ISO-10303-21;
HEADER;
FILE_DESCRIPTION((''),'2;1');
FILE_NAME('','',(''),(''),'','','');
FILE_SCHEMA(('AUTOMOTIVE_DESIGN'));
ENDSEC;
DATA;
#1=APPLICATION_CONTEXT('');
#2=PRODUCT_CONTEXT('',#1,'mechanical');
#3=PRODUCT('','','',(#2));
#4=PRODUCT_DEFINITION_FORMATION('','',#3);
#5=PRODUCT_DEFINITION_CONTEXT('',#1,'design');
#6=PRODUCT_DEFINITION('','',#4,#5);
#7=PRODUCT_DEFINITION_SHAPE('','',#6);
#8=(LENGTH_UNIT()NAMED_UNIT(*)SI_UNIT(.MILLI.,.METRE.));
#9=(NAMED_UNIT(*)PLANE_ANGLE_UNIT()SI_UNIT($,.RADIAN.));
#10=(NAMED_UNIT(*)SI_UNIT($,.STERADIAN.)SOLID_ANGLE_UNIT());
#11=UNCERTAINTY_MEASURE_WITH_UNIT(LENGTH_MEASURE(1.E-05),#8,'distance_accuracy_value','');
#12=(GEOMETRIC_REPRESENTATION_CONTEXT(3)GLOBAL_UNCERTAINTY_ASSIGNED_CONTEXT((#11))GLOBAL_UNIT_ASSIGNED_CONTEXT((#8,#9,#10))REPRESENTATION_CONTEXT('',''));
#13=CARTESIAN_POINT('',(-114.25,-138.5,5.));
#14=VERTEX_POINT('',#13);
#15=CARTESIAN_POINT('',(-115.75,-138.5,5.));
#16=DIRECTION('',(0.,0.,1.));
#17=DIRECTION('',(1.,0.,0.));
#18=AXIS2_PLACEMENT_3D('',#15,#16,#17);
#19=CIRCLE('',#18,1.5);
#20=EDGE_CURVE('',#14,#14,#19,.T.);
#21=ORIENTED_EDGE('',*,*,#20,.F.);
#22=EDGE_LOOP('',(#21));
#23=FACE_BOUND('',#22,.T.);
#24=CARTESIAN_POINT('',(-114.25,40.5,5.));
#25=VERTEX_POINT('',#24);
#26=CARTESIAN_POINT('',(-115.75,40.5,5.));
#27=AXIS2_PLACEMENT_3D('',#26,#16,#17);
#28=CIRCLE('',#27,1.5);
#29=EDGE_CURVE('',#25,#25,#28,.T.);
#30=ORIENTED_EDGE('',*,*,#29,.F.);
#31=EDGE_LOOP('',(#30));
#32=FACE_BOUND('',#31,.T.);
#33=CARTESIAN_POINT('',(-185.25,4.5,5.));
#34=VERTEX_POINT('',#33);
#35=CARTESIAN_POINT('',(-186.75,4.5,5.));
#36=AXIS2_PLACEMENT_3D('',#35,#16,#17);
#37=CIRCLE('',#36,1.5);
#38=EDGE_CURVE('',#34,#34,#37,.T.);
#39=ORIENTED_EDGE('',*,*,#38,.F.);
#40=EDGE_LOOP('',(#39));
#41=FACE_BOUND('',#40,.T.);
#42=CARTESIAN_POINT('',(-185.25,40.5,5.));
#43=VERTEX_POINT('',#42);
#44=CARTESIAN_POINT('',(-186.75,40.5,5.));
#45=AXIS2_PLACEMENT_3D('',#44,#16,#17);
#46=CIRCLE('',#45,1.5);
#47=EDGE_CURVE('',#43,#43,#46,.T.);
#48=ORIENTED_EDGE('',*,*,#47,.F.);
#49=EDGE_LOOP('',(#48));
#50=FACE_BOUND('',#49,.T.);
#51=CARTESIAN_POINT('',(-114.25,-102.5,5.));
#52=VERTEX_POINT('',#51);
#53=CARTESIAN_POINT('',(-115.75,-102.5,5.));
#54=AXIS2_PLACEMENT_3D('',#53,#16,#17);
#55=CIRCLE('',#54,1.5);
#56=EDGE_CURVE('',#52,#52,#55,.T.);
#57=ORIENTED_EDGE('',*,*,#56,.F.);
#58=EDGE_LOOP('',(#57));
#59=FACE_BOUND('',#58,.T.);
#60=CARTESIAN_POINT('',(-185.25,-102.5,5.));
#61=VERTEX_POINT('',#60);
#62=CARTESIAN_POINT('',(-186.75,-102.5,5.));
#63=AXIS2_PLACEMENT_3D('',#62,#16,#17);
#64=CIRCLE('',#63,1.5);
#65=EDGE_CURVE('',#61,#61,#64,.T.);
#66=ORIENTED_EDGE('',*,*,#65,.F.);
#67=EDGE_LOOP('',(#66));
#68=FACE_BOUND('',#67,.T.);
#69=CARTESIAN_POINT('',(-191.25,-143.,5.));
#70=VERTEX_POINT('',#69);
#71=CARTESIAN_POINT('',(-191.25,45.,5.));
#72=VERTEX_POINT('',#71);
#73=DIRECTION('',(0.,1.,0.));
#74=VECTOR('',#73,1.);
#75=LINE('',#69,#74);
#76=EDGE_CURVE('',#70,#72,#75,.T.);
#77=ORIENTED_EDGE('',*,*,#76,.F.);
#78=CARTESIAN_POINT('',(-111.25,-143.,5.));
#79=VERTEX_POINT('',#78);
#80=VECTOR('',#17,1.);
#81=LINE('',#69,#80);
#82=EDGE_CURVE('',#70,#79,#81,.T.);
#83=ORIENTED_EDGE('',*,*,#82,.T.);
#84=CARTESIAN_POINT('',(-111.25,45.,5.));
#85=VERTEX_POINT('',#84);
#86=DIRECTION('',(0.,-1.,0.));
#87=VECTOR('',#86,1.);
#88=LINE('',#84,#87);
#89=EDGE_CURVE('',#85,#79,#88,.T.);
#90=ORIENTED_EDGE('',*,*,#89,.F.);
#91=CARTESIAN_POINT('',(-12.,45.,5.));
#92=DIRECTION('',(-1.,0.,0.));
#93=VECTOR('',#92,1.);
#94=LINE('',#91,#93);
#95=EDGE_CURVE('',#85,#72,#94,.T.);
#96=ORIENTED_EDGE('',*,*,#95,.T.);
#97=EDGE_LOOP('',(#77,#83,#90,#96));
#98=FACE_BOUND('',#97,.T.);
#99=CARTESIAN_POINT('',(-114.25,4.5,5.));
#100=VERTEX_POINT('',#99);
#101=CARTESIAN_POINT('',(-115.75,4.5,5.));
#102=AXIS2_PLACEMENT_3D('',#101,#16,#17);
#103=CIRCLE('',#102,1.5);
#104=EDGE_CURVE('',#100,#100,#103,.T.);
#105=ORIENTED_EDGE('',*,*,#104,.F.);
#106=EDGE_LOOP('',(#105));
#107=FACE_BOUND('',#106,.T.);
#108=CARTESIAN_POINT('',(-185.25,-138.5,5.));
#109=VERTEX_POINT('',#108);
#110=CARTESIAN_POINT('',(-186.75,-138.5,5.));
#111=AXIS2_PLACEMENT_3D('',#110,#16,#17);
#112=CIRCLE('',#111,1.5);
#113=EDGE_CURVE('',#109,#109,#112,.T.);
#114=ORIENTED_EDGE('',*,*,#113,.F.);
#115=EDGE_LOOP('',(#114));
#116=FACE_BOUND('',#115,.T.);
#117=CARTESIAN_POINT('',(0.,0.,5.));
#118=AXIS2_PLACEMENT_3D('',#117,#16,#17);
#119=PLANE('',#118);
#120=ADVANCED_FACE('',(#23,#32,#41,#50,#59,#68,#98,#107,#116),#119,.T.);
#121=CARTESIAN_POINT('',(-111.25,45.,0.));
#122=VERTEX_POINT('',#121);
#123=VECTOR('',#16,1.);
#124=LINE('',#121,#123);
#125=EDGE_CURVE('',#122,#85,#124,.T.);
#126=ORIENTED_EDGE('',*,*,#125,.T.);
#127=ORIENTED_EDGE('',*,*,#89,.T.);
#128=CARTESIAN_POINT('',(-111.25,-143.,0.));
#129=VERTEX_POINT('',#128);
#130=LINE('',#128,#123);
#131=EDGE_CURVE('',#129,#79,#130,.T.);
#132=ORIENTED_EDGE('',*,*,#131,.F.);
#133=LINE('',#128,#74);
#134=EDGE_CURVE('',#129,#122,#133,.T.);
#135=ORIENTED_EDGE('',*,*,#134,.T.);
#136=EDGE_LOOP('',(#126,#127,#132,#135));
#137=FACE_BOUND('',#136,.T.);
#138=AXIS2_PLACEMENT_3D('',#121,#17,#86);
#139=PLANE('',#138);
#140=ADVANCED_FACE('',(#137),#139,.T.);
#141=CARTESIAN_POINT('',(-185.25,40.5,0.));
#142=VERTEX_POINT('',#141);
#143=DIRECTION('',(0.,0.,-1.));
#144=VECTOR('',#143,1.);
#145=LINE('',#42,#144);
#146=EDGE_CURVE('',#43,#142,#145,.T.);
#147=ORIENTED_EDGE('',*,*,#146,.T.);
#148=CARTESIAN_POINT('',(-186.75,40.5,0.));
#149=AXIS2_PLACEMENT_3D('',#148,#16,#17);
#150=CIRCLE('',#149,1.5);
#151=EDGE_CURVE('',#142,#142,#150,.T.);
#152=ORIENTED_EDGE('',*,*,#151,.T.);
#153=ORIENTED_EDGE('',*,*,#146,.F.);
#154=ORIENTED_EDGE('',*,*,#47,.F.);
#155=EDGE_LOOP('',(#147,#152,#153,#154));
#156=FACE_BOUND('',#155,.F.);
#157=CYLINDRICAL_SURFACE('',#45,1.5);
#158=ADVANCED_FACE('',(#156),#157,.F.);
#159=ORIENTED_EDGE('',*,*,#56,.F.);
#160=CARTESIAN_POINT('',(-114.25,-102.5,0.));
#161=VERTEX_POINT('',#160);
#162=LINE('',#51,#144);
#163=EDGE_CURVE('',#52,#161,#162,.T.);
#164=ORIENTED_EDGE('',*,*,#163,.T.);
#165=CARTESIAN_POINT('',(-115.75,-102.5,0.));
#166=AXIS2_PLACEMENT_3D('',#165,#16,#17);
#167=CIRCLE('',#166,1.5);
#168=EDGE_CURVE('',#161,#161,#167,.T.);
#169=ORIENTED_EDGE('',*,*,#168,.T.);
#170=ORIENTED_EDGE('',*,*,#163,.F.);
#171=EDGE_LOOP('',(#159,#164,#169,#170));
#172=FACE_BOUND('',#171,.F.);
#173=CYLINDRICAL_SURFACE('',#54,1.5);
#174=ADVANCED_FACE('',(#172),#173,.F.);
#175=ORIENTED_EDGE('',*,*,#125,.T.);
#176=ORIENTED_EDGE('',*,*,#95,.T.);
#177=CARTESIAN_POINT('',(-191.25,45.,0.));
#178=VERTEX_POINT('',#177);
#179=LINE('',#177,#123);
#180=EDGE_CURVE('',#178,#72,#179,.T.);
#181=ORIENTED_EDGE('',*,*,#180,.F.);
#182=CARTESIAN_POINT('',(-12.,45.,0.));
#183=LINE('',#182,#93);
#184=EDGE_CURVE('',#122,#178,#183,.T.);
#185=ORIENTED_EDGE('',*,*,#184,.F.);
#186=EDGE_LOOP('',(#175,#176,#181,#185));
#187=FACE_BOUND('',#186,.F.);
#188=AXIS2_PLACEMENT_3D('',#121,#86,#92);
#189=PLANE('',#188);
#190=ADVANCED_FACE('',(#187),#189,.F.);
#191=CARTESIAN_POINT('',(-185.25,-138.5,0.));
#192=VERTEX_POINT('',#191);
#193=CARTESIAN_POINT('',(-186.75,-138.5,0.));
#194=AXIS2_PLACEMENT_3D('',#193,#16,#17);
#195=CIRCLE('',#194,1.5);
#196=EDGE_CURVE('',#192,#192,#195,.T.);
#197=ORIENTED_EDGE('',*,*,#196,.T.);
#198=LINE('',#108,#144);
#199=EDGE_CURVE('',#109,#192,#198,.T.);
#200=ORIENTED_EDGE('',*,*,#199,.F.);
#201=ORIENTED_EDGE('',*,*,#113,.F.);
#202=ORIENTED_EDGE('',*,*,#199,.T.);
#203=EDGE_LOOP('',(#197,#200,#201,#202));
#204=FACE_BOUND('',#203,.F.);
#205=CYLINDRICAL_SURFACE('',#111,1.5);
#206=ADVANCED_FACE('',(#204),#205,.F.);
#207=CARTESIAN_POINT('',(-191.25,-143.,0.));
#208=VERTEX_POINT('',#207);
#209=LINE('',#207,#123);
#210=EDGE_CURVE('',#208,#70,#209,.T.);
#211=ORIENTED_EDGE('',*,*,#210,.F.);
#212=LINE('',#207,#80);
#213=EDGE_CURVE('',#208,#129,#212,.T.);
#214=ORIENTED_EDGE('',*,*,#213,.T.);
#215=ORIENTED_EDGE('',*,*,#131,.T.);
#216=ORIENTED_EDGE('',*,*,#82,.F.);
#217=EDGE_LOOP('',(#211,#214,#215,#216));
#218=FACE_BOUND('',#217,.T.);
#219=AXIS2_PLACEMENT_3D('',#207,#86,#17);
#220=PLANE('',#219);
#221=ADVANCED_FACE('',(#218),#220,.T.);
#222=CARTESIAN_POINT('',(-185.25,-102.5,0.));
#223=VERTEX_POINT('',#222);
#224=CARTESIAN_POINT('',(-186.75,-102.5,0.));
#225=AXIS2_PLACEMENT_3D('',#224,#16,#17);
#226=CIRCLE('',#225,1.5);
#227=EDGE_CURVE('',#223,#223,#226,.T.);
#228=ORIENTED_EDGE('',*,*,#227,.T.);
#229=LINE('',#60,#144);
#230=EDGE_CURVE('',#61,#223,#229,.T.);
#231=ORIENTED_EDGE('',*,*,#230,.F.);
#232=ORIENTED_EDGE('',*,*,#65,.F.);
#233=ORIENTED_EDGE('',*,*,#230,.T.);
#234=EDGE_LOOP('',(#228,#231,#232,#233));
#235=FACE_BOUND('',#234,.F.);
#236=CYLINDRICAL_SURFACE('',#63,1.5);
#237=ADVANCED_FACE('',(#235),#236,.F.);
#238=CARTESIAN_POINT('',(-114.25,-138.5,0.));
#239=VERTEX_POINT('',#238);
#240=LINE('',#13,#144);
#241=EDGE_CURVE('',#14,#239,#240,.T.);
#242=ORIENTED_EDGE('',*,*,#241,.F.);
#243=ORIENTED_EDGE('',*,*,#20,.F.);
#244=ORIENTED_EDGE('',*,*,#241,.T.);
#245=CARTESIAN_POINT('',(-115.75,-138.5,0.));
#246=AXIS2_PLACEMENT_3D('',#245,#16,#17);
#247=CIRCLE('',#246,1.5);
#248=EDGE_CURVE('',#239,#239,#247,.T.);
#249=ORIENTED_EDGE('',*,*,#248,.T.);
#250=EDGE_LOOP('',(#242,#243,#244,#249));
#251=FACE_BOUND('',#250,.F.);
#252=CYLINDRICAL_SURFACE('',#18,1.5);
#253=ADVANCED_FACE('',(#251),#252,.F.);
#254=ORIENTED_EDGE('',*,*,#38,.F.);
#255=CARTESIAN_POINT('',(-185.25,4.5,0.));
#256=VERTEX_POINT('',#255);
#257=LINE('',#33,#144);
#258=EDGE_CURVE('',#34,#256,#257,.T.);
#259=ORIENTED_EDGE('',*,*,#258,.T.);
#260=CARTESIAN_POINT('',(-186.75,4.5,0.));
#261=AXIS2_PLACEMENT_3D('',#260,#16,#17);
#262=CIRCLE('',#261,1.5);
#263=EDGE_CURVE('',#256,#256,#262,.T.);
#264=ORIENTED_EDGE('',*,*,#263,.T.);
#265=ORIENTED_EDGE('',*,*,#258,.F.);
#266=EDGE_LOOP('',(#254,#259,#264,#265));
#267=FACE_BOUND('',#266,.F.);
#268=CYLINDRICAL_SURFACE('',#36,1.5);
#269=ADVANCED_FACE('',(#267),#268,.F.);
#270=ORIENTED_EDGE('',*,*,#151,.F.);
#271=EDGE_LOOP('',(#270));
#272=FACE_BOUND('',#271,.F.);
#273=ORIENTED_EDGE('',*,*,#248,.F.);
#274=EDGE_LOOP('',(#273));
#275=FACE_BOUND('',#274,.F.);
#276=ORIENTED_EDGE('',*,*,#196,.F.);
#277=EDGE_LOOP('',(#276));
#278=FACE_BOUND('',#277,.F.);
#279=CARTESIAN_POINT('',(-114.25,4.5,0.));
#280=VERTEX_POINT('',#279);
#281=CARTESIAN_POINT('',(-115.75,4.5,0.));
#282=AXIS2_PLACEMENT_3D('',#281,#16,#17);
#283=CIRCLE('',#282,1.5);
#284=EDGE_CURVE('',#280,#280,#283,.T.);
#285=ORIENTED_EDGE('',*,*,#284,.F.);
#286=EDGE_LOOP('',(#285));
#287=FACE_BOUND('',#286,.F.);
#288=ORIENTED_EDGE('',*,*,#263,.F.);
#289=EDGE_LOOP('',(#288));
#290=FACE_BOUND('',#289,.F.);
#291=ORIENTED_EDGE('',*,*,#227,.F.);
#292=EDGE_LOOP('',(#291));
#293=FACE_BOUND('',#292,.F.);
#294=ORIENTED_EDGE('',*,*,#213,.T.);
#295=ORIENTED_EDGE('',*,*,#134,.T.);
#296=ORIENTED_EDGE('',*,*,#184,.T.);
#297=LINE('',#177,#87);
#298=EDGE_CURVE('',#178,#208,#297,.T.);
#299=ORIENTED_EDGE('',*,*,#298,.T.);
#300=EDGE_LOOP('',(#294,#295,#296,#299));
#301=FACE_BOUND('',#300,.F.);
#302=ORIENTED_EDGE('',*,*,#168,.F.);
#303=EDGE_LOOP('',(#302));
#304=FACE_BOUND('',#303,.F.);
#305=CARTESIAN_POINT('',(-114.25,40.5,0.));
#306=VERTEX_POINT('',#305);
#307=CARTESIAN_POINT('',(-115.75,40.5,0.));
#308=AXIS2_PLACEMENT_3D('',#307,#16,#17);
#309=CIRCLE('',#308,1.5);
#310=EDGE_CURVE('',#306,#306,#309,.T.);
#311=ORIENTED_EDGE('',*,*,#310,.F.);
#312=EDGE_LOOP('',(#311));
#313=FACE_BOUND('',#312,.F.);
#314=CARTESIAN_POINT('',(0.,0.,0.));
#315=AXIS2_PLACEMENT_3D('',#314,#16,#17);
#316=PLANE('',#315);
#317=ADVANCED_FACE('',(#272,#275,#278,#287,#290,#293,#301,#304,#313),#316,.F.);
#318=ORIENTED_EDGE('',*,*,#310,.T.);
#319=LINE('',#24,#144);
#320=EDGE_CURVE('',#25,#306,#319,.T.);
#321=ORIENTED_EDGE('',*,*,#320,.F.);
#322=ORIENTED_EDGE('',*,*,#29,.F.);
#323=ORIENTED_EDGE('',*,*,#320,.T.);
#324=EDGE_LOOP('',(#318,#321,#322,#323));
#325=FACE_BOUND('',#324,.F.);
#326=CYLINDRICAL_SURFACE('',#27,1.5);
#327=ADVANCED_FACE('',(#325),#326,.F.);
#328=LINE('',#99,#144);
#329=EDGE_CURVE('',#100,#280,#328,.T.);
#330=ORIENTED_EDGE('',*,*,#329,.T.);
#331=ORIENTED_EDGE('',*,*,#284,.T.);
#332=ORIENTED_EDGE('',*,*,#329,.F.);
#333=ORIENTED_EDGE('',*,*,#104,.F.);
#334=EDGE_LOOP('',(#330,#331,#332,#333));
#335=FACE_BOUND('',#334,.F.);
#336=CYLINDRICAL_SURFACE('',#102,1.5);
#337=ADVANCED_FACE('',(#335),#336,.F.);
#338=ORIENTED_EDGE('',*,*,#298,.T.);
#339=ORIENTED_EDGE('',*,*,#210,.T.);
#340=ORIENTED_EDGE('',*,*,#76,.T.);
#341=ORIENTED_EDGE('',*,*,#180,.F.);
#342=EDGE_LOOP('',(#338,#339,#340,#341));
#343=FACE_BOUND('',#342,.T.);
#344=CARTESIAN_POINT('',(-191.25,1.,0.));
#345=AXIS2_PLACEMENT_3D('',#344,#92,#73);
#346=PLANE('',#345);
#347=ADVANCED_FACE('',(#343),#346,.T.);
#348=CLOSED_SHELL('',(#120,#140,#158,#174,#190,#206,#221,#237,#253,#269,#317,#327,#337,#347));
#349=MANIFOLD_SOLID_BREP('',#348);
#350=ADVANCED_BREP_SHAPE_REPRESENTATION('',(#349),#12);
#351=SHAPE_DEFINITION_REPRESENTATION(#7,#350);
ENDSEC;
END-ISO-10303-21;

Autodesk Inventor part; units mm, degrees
ref_plane "YZ Plane" through (0, 0, 0) normal (1, 0, 0) x (0, 1, 0)
ref_plane "XZ Plane" through (0, 0, 0) normal (0, 1, 0) x (-1, 0, 0)
ref_plane "Work Plane1" through (0, 0, 0) normal (0, 0, 1) x (1, 0, 0)
sketch "Sketch1" plane through (0, 0, 0) normal (0, 0, 1) x (1, 0, 0)
  arc A0 (-290.5, 45) -> (-292.5, 43) centre (-290.5, 43) ccw projected
  line L0 (-292.5, 1) -> (-292.5, 43) projected
  line L1 (-10, 1) -> (-292.5, 1) projected
  line L2 (-10, 1) -> (-10, 43) projected
  arc A1 (-10, 43) -> (-12, 45) centre (-12, 43) ccw projected
  line L3 (-12, 45) -> (-290.5, 45) projected
  circle A2 centre (-205.5, 4.5) radius 1.4 projected
  circle A3 centre (-288.25, 40.5) radius 1.4 projected
  circle A4 centre (-288.25, 4.5) radius 1.4 projected
  circle A5 centre (-97, 40.5) radius 1.4 projected
  circle A6 centre (-97, 4.5) radius 1.4 projected
  circle A7 centre (-14.25, 40.5) radius 1.4 projected
  circle A8 centre (-14.25, 4.5) radius 1.4 projected
  circle A9 centre (-205.5, 40.5) radius 1.4 projected
  line L4 (-292.5, 22) -> (-10, 22) construction
  line L5 (-151.25, 45) -> (-151.25, 1) construction
  line L6 (-191.25, 45) -> (-111.25, 45)
  line L7 (-111.25, 45) -> (-111.25, -1)
  line L8 (-111.25, -1) -> (-191.25, -1)
  line L9 (-191.25, -1) -> (-191.25, 45)
  line L10 (-191.25, 45) -> (-111.25, -1) construction
  line L11 (-111.25, 45) -> (-191.25, -1) construction
  point P0 (0, 0)
  point P1 (-151.25, 22)
  point P2 (-191.25, 1)
  point P3 (-111.25, 1)
  dimension "d0" = 80
  dimension "d1" = 46
extrude "Extrusion1" add sketch "Sketch1" along normal blind 5 contours L3 L7 L1 L9
sketch "Sketch2" plane through (-191.25, 1, 0) normal (0, -1, 0) x (1, 0, 0)
  line L0 (0, 0) -> (80, 0) projected
  line L1 (80, 0) -> (80, 5) projected
  line L2 (0, 5) -> (80, 5) projected
  line L3 (0, 0) -> (0, 5) projected
  point P0 (191.25, 0)
ref_plane "Work Plane2" through (-292.5, -143, -256) normal (0, -1, 0) x (1, 0, 0)
extrude "Extrusion2" add sketch "Sketch2" along normal up to surface (144 mm away)
sketch "Sketch3" plane through (0, 0, 5) normal (0, 0, 1) x (1, 0, 0)
  arc A0 (-290.5, 45) -> (-292.5, 43) centre (-290.5, 43) ccw projected
  line L0 (-292.5, 1) -> (-292.5, 43) projected
  line L1 (-10, 1) -> (-292.5, 1) projected
  line L2 (-10, 1) -> (-10, 43) projected
  arc A1 (-10, 43) -> (-12, 45) centre (-12, 43) ccw projected
  line L3 (-12, 45) -> (-290.5, 45) projected
  circle A2 centre (-205.5, 4.5) radius 1.4 projected
  circle A3 centre (-288.25, 40.5) radius 1.4 projected
  circle A4 centre (-288.25, 4.5) radius 1.4 projected
  circle A5 centre (-97, 40.5) radius 1.4 projected
  circle A6 centre (-97, 4.5) radius 1.4 projected
  circle A7 centre (-14.25, 40.5) radius 1.4 projected
  circle A8 centre (-14.25, 4.5) radius 1.4 projected
  circle A9 centre (-205.5, 40.5) radius 1.4 projected
  line L4 (-111.25, 45) -> (-111.25, -143) projected
  line L5 (-111.25, 45) -> (-191.25, 45) projected
  line L6 (-191.25, 45) -> (-191.25, -143) projected
  line L7 (-191.25, -143) -> (-111.25, -143) projected
  line L8 (-288.25, 40.5) -> (-14.25, 40.5) construction
  line L9 (-111.25, 45) -> (-191.25, 45) construction
  line L10 (-186.75, 45) -> (-186.75, 1) construction
  circle A10 centre (-186.75, 40.5) radius 1.5
  circle A11 centre (-115.75, 40.5) radius 1.5
  circle A12 centre (-186.75, 4.5) radius 1.5
  circle A13 centre (-115.75, 4.5) radius 1.5
  circle A14 centre (-186.75, -138.5) radius 1.5
  circle A15 centre (-115.75, -138.5) radius 1.5
  circle A16 centre (-115.75, -102.5) radius 1.5
  circle A17 centre (-186.75, -102.5) radius 1.5
  point P0 (0, 0)
  dimension "d6" = 4.5
  dimension "d7" = 4.5
  dimension "d8" = 3
  dimension "d11" = 71
  dimension "d14" = 36
  dimension "d17" = 188
  dimension "d20" = 143
extrude "Extrusion3" cut sketch "Sketch3" against normal through all contours A10 | A11 | A12 | A13 | A14 | A15 | A16 | A17
properties part number "upper-lower form connector"
